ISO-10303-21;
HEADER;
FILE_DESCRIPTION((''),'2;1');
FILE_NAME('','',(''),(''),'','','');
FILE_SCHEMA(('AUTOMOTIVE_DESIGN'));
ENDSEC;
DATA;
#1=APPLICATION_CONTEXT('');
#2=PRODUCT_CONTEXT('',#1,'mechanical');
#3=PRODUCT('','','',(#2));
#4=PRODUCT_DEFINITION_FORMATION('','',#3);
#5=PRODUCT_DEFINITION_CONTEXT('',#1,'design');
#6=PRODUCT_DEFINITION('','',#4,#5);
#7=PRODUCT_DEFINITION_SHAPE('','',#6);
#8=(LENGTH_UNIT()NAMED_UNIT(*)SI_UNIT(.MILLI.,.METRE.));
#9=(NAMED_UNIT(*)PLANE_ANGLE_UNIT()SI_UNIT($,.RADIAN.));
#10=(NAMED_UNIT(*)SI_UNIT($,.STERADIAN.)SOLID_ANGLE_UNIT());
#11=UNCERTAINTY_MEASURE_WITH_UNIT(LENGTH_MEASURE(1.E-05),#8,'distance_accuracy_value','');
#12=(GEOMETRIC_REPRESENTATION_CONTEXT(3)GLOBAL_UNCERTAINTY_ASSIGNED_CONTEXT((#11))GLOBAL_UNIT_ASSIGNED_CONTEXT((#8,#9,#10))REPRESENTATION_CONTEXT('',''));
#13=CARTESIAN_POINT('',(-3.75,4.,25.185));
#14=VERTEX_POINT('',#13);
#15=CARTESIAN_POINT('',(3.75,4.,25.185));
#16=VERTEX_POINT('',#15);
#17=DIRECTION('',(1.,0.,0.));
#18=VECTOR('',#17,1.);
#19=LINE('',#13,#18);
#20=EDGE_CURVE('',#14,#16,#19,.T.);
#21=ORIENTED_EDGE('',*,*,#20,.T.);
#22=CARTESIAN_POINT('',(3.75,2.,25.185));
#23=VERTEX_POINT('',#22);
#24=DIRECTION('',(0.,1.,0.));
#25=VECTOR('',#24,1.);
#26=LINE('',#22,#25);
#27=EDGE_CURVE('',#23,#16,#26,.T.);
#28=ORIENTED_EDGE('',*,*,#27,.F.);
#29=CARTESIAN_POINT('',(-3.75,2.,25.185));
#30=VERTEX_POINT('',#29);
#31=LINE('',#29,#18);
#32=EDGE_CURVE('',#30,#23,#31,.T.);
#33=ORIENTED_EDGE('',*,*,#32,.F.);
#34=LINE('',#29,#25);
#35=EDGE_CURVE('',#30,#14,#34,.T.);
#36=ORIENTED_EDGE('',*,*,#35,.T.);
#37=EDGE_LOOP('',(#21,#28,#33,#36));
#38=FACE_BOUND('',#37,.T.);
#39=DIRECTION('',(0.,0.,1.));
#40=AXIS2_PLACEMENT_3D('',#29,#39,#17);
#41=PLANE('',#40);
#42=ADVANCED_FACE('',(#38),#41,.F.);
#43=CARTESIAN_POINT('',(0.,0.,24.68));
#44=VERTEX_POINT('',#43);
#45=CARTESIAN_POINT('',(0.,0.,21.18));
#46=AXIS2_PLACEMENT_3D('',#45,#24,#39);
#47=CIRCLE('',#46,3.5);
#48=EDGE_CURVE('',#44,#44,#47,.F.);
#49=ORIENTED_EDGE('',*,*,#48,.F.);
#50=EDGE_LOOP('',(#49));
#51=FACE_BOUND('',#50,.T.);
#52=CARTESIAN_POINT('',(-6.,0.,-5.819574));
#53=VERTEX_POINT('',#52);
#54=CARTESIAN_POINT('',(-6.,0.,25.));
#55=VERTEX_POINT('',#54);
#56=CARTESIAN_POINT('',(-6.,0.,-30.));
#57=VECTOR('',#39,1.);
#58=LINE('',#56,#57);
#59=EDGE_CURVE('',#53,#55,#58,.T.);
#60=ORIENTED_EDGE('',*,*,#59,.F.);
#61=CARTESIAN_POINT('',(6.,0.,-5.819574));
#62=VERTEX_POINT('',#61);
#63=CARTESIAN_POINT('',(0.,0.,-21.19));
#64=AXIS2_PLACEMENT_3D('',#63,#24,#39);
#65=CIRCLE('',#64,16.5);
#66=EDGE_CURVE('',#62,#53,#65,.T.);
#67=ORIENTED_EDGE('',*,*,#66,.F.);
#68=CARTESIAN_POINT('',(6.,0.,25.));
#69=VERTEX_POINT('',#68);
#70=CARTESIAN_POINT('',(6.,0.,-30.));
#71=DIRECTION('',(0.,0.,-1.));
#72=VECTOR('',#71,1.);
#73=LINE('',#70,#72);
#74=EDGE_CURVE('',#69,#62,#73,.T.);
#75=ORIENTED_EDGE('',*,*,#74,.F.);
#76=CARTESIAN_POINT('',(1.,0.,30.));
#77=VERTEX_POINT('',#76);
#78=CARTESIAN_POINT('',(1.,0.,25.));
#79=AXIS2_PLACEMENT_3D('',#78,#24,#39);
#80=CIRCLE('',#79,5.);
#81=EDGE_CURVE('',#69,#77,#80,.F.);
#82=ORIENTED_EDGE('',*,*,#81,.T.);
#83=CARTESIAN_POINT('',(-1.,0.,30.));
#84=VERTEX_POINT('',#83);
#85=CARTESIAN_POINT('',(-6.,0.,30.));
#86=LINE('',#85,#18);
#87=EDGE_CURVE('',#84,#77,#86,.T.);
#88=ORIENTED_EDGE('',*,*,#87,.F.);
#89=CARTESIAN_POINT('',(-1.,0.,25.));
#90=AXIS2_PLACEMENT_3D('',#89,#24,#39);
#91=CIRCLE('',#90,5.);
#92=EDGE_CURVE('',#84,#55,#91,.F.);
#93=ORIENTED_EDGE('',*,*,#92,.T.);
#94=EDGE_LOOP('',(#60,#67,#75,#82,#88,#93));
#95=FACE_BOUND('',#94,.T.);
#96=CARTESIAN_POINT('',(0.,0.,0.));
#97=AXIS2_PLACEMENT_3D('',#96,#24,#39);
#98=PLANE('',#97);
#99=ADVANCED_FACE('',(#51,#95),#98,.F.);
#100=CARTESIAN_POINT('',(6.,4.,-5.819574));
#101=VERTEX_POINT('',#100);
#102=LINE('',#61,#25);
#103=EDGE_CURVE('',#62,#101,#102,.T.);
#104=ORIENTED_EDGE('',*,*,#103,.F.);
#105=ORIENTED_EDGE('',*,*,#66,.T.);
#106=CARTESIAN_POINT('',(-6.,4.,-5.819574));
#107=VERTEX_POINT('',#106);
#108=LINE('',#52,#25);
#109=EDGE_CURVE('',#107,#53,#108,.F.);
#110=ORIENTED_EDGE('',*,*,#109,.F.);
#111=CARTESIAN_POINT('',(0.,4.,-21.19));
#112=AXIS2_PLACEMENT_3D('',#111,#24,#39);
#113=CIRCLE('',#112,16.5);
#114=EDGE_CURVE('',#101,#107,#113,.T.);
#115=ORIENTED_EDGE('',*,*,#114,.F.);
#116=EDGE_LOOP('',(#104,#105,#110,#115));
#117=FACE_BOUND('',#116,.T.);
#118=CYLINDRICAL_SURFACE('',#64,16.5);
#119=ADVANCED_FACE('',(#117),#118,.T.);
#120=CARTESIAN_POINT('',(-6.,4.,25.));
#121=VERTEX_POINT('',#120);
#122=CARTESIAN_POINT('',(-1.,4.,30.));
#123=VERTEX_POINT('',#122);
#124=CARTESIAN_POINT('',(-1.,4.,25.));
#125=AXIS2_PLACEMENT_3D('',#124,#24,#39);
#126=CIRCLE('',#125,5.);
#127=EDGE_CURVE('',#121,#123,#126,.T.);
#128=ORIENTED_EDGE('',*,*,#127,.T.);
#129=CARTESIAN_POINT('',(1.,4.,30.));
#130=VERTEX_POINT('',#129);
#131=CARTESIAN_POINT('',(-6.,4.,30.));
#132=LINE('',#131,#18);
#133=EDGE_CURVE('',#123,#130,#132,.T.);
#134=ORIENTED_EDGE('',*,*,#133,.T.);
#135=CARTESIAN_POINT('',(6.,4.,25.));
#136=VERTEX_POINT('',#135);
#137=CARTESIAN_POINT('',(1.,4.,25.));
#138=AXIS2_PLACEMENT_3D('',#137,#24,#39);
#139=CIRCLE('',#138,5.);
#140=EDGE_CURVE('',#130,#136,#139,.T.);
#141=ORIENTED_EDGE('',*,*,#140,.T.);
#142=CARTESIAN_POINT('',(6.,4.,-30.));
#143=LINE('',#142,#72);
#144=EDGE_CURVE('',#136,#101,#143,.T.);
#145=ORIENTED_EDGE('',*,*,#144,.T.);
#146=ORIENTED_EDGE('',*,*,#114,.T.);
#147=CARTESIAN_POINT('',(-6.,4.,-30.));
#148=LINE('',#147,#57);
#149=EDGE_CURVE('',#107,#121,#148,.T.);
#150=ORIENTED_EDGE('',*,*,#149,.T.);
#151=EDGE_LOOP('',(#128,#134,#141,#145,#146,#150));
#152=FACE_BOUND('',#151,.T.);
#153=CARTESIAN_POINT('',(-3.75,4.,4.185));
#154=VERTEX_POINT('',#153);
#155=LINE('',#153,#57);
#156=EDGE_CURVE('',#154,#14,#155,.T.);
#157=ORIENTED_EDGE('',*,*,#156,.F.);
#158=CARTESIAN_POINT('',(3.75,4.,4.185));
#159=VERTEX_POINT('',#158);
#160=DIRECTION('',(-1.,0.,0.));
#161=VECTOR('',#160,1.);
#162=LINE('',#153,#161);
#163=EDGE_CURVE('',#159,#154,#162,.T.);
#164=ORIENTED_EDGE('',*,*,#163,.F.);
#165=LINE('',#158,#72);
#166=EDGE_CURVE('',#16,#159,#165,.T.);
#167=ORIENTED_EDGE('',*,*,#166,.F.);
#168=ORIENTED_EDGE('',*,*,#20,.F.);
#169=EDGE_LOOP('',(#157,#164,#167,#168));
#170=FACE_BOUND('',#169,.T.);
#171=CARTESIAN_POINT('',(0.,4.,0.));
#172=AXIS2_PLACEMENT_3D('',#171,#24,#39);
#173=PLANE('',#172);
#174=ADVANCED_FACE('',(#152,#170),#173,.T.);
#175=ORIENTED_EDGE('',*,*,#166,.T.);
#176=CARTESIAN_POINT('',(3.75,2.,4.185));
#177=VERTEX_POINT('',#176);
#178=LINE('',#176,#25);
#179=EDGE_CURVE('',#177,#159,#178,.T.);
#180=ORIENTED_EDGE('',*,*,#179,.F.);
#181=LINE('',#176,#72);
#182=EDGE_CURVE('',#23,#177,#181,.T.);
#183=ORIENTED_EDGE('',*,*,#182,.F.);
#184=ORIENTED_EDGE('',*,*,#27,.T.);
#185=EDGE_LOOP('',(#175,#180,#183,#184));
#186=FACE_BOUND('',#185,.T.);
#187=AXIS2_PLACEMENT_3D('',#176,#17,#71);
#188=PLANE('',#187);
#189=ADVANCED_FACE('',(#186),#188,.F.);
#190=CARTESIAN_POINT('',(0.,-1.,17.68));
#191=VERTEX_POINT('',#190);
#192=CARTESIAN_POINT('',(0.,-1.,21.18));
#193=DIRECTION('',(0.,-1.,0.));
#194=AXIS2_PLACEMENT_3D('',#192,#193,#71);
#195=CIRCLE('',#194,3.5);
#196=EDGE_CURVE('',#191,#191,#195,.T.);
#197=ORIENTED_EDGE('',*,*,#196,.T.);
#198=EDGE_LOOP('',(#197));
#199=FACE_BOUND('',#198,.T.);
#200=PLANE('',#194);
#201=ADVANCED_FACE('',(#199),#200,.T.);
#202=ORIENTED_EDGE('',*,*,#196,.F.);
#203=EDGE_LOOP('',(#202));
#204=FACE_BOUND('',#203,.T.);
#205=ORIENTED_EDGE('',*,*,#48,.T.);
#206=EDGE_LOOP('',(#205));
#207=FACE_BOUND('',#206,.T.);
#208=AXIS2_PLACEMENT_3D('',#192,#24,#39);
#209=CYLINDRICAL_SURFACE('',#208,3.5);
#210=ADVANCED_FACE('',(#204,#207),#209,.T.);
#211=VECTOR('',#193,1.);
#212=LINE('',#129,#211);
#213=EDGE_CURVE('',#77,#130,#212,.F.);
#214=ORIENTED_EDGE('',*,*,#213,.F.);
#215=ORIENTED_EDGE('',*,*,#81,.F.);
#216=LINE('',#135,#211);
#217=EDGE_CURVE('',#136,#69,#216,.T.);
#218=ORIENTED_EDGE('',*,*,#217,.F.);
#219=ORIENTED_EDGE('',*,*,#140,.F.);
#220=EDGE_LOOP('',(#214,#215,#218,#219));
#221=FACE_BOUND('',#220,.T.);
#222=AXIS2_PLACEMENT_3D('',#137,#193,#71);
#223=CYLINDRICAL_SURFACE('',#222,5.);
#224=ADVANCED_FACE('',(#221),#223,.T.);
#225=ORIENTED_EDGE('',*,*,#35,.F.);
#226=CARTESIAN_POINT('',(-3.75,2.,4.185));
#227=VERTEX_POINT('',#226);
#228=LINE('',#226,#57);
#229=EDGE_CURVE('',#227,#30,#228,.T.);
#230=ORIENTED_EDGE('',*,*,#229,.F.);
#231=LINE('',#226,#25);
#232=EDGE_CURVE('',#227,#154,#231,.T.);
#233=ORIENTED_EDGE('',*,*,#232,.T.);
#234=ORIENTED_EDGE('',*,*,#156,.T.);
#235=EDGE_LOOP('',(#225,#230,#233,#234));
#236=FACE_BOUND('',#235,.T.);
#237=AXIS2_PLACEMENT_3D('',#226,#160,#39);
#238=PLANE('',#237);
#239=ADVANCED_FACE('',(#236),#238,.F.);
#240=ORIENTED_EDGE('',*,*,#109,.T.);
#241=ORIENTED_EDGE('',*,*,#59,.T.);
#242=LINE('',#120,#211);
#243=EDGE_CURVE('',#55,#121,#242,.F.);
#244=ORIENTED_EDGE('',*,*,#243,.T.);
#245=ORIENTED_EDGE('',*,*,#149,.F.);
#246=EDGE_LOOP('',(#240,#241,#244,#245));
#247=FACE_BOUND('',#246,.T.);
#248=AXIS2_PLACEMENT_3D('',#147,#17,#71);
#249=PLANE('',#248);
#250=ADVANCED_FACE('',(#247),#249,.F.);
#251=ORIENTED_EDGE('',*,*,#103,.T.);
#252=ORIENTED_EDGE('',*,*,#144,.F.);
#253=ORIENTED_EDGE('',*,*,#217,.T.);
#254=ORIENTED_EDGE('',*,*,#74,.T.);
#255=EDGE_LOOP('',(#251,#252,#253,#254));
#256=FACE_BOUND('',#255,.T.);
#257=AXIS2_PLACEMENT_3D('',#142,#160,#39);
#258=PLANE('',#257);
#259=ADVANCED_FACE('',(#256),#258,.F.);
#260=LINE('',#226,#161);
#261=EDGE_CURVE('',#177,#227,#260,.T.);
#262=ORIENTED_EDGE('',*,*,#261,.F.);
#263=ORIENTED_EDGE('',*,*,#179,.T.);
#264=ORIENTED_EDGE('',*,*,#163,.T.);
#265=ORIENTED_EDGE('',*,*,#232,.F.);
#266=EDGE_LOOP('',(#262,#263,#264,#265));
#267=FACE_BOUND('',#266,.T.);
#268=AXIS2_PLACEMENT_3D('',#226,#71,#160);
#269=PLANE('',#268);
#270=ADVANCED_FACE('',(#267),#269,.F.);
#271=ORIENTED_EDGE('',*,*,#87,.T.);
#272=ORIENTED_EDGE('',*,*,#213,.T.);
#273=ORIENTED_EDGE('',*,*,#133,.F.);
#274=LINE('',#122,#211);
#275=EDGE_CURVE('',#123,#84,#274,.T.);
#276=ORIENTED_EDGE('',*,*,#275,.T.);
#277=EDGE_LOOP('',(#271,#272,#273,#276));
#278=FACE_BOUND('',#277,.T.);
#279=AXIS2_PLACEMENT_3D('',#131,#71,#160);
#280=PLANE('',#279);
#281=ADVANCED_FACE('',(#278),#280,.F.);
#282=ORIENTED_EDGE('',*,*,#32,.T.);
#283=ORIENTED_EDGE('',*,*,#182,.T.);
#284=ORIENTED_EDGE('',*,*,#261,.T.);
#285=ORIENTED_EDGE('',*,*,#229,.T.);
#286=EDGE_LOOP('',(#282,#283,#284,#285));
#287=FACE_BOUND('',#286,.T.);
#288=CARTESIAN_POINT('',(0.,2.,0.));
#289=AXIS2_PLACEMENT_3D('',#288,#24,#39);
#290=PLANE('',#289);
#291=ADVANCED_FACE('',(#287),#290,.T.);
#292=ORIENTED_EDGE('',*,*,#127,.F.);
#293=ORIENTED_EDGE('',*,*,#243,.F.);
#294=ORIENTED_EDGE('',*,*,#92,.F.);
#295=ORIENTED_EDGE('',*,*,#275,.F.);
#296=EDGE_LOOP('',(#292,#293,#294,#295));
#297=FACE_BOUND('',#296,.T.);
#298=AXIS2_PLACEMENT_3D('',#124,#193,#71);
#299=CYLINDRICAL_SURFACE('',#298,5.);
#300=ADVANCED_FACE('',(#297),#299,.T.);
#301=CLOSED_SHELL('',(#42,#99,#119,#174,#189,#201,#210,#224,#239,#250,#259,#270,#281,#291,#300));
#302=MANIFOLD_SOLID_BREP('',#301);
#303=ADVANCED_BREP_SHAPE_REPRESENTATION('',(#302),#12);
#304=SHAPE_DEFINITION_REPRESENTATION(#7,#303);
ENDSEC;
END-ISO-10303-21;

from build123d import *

# Parameters (mm, degrees)
SKETCH1_W           = 12
SKETCH1_H           = 60
BOSS_EXTRUDE1_DEPTH = 4
SKETCH2_W           = 7.5
SKETCH2_H           = 21
CUT_EXTRUDE1_DEPTH  = 2
SKETCH4_R           = 3.5
BOSS_EXTRUDE2_DEPTH = 1
SKETCH5_R           = 16.5
BOSS_EXTRUDE3_DEPTH = 4
FILLET2_R           = 5


with BuildPart() as part:
    # Sketch1 → Boss-Extrude1 (new body)
    with BuildSketch(Plane(origin=(0, 0, 0), x_dir=(1, 0, 0), z_dir=(0, 1, 0))):
        Rectangle(SKETCH1_W, SKETCH1_H)
    extrude(amount=BOSS_EXTRUDE1_DEPTH)

    # Sketch2 → Cut-Extrude1 (cut)
    with BuildSketch(Plane(origin=(0, 4, 0), x_dir=(1, 0, 0), z_dir=(0, 1, 0))):
        with Locations((0, -14.685)):
            Rectangle(SKETCH2_W, SKETCH2_H)
    extrude(amount=-CUT_EXTRUDE1_DEPTH, mode=Mode.SUBTRACT)

    # Sketch4 → Boss-Extrude2 (add)
    with BuildSketch(Plane.XZ):
        with Locations((0, 21.18)):
            Circle(SKETCH4_R)
    extrude(amount=BOSS_EXTRUDE2_DEPTH)

    # Sketch5 → Boss-Extrude3 (add)
    with BuildSketch(Plane(origin=(0, 4, 0), x_dir=(1, 0, 0), z_dir=(0, 1, 0))):
        with Locations((0, 21.19)):
            Circle(SKETCH5_R)
    extrude(amount=-BOSS_EXTRUDE3_DEPTH)

    # Fillet2
    fillet2_edges = [part.edges().sort_by_distance(p)[0] for p in [
        (6, 2, 30),
        (-6, 2, 30),
    ]]
    fillet(fillet2_edges, radius=FILLET2_R)


solid = part.part
